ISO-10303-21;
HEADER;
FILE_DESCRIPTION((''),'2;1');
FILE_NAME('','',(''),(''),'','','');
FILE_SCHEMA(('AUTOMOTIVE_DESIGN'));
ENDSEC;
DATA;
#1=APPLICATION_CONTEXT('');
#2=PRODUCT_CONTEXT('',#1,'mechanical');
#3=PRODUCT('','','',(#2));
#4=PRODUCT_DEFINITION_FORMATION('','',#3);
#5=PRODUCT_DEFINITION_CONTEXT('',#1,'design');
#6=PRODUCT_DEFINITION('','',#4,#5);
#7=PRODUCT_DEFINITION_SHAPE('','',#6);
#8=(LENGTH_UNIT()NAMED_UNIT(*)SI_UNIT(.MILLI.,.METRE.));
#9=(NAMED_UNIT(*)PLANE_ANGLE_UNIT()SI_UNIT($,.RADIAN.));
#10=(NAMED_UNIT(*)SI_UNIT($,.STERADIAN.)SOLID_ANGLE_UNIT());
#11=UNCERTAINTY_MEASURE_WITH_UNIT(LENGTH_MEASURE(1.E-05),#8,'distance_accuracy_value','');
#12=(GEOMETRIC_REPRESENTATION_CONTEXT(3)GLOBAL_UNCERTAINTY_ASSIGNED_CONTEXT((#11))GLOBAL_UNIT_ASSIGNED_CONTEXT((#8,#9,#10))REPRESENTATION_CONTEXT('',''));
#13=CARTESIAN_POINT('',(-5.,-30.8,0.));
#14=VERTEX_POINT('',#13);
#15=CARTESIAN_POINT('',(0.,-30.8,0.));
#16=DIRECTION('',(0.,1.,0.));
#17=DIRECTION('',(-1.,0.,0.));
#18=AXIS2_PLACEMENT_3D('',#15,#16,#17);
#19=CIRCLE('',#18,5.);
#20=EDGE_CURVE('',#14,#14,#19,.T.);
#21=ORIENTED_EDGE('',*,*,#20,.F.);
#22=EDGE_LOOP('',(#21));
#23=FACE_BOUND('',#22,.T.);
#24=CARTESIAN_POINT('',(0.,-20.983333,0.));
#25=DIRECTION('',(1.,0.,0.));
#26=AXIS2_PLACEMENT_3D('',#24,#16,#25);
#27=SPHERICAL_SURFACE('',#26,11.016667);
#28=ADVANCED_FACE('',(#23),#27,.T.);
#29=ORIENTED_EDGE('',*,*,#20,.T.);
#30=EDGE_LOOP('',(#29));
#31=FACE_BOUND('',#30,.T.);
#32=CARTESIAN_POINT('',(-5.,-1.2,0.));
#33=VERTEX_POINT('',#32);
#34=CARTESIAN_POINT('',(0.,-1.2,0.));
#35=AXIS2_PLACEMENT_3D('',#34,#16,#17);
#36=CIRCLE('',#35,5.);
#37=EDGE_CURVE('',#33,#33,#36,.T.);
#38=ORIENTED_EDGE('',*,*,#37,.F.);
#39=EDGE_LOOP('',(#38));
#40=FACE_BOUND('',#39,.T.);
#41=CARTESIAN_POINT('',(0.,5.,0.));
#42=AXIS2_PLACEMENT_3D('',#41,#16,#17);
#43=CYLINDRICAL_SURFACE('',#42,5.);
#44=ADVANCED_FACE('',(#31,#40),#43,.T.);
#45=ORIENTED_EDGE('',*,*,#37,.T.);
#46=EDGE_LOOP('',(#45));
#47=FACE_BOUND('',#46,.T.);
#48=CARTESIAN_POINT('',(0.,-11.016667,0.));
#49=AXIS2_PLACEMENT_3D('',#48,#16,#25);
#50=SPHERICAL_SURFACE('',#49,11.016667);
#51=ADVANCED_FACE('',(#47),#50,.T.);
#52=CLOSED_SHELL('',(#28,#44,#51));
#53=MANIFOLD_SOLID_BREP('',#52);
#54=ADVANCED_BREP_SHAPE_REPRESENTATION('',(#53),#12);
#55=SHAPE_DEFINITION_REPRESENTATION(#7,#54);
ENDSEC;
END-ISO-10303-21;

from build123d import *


with BuildPart() as part:
    # Sketch1 → Revolve1 (revolve)
    with BuildSketch(Plane.XY):
        with BuildLine():
            Line((5, -1.2), (5, -30.8))
            ThreePointArc((5, -30.8), (2.570992026, -31.69580011), (0, -32))
            Line((0, -32), (0, 0))
            ThreePointArc((0, 0), (2.570992026, -0.30419989), (5, -1.2))
        make_face()
    revolve(axis=Axis((0, 5, 0), (0, -1, 0)))


solid = part.part
